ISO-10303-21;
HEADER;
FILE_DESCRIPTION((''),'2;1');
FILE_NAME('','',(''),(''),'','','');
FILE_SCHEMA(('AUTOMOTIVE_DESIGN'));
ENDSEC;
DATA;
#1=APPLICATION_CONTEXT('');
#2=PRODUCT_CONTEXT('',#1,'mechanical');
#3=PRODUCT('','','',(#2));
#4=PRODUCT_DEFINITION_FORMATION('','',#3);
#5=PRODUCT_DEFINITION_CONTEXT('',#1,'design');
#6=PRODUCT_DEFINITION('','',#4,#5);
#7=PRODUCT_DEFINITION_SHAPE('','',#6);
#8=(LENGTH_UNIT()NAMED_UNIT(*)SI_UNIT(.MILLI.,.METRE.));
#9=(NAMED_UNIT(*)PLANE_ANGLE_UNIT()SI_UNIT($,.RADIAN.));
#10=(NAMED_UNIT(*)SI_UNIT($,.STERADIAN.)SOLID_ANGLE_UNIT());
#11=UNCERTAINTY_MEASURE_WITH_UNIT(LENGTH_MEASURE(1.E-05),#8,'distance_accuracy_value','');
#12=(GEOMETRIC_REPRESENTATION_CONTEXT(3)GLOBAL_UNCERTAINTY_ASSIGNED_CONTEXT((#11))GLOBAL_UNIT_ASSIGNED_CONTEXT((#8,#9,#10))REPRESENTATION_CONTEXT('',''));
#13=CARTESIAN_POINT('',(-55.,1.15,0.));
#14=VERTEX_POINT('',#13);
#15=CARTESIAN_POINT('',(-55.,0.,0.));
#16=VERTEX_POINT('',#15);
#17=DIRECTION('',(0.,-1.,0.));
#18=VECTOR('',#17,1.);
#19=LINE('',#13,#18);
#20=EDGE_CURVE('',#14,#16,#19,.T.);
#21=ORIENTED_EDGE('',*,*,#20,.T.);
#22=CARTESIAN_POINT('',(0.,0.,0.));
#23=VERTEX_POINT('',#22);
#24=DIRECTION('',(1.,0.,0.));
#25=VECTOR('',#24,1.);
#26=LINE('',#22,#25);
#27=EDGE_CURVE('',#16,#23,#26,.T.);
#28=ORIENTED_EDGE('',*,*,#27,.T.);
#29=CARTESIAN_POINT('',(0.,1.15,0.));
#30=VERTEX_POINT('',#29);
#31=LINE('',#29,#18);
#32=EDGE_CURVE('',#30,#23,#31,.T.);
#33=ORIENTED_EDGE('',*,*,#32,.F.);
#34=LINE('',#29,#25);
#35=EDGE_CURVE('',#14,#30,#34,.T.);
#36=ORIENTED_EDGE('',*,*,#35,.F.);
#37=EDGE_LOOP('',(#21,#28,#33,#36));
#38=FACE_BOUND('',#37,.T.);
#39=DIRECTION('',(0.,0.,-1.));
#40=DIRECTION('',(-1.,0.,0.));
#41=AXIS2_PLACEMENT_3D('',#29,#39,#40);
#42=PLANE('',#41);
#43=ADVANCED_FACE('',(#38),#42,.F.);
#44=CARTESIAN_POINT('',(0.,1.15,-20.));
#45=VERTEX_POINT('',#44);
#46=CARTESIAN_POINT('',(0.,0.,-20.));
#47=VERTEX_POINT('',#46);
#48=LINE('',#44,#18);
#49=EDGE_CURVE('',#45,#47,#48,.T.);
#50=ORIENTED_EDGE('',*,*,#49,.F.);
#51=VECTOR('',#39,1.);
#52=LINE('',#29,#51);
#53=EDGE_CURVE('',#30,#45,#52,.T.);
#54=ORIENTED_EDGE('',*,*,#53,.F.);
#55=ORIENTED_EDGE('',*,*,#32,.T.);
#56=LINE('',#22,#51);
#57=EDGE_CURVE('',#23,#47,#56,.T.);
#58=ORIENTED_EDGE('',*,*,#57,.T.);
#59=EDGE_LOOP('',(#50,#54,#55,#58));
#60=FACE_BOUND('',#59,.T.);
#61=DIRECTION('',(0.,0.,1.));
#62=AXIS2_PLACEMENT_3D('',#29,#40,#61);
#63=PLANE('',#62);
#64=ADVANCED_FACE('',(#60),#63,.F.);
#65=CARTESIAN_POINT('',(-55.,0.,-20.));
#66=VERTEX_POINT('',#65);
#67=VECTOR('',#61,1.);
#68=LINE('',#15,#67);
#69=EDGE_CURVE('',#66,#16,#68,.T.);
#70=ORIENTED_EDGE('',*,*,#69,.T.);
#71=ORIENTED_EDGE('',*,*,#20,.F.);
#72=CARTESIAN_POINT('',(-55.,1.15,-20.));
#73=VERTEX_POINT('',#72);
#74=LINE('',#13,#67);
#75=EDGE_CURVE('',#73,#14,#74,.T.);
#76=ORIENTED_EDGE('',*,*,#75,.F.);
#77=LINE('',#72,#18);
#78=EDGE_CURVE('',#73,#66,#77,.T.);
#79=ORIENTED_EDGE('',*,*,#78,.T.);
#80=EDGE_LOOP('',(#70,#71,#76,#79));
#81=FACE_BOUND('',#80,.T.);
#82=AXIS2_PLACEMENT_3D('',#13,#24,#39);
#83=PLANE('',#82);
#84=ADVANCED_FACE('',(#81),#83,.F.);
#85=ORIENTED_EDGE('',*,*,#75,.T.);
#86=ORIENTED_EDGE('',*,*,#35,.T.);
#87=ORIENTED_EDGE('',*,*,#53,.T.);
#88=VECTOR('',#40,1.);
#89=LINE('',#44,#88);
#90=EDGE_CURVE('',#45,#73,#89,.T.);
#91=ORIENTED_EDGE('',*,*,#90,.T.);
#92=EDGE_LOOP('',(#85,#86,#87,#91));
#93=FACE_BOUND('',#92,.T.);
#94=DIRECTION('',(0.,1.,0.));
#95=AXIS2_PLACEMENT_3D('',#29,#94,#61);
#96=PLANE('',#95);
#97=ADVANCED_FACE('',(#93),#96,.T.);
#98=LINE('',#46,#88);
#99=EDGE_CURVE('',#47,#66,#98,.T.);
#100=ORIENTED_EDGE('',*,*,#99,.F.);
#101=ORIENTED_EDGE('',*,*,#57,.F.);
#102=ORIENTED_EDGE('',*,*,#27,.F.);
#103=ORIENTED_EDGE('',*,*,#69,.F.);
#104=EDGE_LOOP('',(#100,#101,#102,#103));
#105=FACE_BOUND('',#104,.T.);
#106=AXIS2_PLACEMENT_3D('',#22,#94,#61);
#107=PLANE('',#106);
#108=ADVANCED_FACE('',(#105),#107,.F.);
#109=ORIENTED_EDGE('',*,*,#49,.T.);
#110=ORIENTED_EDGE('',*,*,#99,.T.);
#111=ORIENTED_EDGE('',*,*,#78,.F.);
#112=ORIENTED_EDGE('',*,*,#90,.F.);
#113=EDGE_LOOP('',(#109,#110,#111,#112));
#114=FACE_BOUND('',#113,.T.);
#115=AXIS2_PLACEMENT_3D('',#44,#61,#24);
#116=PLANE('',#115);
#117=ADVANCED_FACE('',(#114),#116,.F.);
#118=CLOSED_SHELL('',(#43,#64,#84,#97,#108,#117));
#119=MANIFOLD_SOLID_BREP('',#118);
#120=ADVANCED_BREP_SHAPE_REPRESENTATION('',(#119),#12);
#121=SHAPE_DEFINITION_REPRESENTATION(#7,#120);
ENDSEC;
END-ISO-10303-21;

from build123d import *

# Parameters (mm, degrees)
SKETCH1_W           = 55
SKETCH1_H           = 20
BOSS_EXTRUDE1_DEPTH = 1.15


with BuildPart() as part:
    # Sketch1 → Boss-Extrude1 (new body)
    with BuildSketch(Plane(origin=(0, 0, 0), x_dir=(1, 0, 0), z_dir=(0, 1, 0))):
        with Locations((-27.5, 10)):
            Rectangle(SKETCH1_W, SKETCH1_H)
    extrude(amount=BOSS_EXTRUDE1_DEPTH)


solid = part.part
